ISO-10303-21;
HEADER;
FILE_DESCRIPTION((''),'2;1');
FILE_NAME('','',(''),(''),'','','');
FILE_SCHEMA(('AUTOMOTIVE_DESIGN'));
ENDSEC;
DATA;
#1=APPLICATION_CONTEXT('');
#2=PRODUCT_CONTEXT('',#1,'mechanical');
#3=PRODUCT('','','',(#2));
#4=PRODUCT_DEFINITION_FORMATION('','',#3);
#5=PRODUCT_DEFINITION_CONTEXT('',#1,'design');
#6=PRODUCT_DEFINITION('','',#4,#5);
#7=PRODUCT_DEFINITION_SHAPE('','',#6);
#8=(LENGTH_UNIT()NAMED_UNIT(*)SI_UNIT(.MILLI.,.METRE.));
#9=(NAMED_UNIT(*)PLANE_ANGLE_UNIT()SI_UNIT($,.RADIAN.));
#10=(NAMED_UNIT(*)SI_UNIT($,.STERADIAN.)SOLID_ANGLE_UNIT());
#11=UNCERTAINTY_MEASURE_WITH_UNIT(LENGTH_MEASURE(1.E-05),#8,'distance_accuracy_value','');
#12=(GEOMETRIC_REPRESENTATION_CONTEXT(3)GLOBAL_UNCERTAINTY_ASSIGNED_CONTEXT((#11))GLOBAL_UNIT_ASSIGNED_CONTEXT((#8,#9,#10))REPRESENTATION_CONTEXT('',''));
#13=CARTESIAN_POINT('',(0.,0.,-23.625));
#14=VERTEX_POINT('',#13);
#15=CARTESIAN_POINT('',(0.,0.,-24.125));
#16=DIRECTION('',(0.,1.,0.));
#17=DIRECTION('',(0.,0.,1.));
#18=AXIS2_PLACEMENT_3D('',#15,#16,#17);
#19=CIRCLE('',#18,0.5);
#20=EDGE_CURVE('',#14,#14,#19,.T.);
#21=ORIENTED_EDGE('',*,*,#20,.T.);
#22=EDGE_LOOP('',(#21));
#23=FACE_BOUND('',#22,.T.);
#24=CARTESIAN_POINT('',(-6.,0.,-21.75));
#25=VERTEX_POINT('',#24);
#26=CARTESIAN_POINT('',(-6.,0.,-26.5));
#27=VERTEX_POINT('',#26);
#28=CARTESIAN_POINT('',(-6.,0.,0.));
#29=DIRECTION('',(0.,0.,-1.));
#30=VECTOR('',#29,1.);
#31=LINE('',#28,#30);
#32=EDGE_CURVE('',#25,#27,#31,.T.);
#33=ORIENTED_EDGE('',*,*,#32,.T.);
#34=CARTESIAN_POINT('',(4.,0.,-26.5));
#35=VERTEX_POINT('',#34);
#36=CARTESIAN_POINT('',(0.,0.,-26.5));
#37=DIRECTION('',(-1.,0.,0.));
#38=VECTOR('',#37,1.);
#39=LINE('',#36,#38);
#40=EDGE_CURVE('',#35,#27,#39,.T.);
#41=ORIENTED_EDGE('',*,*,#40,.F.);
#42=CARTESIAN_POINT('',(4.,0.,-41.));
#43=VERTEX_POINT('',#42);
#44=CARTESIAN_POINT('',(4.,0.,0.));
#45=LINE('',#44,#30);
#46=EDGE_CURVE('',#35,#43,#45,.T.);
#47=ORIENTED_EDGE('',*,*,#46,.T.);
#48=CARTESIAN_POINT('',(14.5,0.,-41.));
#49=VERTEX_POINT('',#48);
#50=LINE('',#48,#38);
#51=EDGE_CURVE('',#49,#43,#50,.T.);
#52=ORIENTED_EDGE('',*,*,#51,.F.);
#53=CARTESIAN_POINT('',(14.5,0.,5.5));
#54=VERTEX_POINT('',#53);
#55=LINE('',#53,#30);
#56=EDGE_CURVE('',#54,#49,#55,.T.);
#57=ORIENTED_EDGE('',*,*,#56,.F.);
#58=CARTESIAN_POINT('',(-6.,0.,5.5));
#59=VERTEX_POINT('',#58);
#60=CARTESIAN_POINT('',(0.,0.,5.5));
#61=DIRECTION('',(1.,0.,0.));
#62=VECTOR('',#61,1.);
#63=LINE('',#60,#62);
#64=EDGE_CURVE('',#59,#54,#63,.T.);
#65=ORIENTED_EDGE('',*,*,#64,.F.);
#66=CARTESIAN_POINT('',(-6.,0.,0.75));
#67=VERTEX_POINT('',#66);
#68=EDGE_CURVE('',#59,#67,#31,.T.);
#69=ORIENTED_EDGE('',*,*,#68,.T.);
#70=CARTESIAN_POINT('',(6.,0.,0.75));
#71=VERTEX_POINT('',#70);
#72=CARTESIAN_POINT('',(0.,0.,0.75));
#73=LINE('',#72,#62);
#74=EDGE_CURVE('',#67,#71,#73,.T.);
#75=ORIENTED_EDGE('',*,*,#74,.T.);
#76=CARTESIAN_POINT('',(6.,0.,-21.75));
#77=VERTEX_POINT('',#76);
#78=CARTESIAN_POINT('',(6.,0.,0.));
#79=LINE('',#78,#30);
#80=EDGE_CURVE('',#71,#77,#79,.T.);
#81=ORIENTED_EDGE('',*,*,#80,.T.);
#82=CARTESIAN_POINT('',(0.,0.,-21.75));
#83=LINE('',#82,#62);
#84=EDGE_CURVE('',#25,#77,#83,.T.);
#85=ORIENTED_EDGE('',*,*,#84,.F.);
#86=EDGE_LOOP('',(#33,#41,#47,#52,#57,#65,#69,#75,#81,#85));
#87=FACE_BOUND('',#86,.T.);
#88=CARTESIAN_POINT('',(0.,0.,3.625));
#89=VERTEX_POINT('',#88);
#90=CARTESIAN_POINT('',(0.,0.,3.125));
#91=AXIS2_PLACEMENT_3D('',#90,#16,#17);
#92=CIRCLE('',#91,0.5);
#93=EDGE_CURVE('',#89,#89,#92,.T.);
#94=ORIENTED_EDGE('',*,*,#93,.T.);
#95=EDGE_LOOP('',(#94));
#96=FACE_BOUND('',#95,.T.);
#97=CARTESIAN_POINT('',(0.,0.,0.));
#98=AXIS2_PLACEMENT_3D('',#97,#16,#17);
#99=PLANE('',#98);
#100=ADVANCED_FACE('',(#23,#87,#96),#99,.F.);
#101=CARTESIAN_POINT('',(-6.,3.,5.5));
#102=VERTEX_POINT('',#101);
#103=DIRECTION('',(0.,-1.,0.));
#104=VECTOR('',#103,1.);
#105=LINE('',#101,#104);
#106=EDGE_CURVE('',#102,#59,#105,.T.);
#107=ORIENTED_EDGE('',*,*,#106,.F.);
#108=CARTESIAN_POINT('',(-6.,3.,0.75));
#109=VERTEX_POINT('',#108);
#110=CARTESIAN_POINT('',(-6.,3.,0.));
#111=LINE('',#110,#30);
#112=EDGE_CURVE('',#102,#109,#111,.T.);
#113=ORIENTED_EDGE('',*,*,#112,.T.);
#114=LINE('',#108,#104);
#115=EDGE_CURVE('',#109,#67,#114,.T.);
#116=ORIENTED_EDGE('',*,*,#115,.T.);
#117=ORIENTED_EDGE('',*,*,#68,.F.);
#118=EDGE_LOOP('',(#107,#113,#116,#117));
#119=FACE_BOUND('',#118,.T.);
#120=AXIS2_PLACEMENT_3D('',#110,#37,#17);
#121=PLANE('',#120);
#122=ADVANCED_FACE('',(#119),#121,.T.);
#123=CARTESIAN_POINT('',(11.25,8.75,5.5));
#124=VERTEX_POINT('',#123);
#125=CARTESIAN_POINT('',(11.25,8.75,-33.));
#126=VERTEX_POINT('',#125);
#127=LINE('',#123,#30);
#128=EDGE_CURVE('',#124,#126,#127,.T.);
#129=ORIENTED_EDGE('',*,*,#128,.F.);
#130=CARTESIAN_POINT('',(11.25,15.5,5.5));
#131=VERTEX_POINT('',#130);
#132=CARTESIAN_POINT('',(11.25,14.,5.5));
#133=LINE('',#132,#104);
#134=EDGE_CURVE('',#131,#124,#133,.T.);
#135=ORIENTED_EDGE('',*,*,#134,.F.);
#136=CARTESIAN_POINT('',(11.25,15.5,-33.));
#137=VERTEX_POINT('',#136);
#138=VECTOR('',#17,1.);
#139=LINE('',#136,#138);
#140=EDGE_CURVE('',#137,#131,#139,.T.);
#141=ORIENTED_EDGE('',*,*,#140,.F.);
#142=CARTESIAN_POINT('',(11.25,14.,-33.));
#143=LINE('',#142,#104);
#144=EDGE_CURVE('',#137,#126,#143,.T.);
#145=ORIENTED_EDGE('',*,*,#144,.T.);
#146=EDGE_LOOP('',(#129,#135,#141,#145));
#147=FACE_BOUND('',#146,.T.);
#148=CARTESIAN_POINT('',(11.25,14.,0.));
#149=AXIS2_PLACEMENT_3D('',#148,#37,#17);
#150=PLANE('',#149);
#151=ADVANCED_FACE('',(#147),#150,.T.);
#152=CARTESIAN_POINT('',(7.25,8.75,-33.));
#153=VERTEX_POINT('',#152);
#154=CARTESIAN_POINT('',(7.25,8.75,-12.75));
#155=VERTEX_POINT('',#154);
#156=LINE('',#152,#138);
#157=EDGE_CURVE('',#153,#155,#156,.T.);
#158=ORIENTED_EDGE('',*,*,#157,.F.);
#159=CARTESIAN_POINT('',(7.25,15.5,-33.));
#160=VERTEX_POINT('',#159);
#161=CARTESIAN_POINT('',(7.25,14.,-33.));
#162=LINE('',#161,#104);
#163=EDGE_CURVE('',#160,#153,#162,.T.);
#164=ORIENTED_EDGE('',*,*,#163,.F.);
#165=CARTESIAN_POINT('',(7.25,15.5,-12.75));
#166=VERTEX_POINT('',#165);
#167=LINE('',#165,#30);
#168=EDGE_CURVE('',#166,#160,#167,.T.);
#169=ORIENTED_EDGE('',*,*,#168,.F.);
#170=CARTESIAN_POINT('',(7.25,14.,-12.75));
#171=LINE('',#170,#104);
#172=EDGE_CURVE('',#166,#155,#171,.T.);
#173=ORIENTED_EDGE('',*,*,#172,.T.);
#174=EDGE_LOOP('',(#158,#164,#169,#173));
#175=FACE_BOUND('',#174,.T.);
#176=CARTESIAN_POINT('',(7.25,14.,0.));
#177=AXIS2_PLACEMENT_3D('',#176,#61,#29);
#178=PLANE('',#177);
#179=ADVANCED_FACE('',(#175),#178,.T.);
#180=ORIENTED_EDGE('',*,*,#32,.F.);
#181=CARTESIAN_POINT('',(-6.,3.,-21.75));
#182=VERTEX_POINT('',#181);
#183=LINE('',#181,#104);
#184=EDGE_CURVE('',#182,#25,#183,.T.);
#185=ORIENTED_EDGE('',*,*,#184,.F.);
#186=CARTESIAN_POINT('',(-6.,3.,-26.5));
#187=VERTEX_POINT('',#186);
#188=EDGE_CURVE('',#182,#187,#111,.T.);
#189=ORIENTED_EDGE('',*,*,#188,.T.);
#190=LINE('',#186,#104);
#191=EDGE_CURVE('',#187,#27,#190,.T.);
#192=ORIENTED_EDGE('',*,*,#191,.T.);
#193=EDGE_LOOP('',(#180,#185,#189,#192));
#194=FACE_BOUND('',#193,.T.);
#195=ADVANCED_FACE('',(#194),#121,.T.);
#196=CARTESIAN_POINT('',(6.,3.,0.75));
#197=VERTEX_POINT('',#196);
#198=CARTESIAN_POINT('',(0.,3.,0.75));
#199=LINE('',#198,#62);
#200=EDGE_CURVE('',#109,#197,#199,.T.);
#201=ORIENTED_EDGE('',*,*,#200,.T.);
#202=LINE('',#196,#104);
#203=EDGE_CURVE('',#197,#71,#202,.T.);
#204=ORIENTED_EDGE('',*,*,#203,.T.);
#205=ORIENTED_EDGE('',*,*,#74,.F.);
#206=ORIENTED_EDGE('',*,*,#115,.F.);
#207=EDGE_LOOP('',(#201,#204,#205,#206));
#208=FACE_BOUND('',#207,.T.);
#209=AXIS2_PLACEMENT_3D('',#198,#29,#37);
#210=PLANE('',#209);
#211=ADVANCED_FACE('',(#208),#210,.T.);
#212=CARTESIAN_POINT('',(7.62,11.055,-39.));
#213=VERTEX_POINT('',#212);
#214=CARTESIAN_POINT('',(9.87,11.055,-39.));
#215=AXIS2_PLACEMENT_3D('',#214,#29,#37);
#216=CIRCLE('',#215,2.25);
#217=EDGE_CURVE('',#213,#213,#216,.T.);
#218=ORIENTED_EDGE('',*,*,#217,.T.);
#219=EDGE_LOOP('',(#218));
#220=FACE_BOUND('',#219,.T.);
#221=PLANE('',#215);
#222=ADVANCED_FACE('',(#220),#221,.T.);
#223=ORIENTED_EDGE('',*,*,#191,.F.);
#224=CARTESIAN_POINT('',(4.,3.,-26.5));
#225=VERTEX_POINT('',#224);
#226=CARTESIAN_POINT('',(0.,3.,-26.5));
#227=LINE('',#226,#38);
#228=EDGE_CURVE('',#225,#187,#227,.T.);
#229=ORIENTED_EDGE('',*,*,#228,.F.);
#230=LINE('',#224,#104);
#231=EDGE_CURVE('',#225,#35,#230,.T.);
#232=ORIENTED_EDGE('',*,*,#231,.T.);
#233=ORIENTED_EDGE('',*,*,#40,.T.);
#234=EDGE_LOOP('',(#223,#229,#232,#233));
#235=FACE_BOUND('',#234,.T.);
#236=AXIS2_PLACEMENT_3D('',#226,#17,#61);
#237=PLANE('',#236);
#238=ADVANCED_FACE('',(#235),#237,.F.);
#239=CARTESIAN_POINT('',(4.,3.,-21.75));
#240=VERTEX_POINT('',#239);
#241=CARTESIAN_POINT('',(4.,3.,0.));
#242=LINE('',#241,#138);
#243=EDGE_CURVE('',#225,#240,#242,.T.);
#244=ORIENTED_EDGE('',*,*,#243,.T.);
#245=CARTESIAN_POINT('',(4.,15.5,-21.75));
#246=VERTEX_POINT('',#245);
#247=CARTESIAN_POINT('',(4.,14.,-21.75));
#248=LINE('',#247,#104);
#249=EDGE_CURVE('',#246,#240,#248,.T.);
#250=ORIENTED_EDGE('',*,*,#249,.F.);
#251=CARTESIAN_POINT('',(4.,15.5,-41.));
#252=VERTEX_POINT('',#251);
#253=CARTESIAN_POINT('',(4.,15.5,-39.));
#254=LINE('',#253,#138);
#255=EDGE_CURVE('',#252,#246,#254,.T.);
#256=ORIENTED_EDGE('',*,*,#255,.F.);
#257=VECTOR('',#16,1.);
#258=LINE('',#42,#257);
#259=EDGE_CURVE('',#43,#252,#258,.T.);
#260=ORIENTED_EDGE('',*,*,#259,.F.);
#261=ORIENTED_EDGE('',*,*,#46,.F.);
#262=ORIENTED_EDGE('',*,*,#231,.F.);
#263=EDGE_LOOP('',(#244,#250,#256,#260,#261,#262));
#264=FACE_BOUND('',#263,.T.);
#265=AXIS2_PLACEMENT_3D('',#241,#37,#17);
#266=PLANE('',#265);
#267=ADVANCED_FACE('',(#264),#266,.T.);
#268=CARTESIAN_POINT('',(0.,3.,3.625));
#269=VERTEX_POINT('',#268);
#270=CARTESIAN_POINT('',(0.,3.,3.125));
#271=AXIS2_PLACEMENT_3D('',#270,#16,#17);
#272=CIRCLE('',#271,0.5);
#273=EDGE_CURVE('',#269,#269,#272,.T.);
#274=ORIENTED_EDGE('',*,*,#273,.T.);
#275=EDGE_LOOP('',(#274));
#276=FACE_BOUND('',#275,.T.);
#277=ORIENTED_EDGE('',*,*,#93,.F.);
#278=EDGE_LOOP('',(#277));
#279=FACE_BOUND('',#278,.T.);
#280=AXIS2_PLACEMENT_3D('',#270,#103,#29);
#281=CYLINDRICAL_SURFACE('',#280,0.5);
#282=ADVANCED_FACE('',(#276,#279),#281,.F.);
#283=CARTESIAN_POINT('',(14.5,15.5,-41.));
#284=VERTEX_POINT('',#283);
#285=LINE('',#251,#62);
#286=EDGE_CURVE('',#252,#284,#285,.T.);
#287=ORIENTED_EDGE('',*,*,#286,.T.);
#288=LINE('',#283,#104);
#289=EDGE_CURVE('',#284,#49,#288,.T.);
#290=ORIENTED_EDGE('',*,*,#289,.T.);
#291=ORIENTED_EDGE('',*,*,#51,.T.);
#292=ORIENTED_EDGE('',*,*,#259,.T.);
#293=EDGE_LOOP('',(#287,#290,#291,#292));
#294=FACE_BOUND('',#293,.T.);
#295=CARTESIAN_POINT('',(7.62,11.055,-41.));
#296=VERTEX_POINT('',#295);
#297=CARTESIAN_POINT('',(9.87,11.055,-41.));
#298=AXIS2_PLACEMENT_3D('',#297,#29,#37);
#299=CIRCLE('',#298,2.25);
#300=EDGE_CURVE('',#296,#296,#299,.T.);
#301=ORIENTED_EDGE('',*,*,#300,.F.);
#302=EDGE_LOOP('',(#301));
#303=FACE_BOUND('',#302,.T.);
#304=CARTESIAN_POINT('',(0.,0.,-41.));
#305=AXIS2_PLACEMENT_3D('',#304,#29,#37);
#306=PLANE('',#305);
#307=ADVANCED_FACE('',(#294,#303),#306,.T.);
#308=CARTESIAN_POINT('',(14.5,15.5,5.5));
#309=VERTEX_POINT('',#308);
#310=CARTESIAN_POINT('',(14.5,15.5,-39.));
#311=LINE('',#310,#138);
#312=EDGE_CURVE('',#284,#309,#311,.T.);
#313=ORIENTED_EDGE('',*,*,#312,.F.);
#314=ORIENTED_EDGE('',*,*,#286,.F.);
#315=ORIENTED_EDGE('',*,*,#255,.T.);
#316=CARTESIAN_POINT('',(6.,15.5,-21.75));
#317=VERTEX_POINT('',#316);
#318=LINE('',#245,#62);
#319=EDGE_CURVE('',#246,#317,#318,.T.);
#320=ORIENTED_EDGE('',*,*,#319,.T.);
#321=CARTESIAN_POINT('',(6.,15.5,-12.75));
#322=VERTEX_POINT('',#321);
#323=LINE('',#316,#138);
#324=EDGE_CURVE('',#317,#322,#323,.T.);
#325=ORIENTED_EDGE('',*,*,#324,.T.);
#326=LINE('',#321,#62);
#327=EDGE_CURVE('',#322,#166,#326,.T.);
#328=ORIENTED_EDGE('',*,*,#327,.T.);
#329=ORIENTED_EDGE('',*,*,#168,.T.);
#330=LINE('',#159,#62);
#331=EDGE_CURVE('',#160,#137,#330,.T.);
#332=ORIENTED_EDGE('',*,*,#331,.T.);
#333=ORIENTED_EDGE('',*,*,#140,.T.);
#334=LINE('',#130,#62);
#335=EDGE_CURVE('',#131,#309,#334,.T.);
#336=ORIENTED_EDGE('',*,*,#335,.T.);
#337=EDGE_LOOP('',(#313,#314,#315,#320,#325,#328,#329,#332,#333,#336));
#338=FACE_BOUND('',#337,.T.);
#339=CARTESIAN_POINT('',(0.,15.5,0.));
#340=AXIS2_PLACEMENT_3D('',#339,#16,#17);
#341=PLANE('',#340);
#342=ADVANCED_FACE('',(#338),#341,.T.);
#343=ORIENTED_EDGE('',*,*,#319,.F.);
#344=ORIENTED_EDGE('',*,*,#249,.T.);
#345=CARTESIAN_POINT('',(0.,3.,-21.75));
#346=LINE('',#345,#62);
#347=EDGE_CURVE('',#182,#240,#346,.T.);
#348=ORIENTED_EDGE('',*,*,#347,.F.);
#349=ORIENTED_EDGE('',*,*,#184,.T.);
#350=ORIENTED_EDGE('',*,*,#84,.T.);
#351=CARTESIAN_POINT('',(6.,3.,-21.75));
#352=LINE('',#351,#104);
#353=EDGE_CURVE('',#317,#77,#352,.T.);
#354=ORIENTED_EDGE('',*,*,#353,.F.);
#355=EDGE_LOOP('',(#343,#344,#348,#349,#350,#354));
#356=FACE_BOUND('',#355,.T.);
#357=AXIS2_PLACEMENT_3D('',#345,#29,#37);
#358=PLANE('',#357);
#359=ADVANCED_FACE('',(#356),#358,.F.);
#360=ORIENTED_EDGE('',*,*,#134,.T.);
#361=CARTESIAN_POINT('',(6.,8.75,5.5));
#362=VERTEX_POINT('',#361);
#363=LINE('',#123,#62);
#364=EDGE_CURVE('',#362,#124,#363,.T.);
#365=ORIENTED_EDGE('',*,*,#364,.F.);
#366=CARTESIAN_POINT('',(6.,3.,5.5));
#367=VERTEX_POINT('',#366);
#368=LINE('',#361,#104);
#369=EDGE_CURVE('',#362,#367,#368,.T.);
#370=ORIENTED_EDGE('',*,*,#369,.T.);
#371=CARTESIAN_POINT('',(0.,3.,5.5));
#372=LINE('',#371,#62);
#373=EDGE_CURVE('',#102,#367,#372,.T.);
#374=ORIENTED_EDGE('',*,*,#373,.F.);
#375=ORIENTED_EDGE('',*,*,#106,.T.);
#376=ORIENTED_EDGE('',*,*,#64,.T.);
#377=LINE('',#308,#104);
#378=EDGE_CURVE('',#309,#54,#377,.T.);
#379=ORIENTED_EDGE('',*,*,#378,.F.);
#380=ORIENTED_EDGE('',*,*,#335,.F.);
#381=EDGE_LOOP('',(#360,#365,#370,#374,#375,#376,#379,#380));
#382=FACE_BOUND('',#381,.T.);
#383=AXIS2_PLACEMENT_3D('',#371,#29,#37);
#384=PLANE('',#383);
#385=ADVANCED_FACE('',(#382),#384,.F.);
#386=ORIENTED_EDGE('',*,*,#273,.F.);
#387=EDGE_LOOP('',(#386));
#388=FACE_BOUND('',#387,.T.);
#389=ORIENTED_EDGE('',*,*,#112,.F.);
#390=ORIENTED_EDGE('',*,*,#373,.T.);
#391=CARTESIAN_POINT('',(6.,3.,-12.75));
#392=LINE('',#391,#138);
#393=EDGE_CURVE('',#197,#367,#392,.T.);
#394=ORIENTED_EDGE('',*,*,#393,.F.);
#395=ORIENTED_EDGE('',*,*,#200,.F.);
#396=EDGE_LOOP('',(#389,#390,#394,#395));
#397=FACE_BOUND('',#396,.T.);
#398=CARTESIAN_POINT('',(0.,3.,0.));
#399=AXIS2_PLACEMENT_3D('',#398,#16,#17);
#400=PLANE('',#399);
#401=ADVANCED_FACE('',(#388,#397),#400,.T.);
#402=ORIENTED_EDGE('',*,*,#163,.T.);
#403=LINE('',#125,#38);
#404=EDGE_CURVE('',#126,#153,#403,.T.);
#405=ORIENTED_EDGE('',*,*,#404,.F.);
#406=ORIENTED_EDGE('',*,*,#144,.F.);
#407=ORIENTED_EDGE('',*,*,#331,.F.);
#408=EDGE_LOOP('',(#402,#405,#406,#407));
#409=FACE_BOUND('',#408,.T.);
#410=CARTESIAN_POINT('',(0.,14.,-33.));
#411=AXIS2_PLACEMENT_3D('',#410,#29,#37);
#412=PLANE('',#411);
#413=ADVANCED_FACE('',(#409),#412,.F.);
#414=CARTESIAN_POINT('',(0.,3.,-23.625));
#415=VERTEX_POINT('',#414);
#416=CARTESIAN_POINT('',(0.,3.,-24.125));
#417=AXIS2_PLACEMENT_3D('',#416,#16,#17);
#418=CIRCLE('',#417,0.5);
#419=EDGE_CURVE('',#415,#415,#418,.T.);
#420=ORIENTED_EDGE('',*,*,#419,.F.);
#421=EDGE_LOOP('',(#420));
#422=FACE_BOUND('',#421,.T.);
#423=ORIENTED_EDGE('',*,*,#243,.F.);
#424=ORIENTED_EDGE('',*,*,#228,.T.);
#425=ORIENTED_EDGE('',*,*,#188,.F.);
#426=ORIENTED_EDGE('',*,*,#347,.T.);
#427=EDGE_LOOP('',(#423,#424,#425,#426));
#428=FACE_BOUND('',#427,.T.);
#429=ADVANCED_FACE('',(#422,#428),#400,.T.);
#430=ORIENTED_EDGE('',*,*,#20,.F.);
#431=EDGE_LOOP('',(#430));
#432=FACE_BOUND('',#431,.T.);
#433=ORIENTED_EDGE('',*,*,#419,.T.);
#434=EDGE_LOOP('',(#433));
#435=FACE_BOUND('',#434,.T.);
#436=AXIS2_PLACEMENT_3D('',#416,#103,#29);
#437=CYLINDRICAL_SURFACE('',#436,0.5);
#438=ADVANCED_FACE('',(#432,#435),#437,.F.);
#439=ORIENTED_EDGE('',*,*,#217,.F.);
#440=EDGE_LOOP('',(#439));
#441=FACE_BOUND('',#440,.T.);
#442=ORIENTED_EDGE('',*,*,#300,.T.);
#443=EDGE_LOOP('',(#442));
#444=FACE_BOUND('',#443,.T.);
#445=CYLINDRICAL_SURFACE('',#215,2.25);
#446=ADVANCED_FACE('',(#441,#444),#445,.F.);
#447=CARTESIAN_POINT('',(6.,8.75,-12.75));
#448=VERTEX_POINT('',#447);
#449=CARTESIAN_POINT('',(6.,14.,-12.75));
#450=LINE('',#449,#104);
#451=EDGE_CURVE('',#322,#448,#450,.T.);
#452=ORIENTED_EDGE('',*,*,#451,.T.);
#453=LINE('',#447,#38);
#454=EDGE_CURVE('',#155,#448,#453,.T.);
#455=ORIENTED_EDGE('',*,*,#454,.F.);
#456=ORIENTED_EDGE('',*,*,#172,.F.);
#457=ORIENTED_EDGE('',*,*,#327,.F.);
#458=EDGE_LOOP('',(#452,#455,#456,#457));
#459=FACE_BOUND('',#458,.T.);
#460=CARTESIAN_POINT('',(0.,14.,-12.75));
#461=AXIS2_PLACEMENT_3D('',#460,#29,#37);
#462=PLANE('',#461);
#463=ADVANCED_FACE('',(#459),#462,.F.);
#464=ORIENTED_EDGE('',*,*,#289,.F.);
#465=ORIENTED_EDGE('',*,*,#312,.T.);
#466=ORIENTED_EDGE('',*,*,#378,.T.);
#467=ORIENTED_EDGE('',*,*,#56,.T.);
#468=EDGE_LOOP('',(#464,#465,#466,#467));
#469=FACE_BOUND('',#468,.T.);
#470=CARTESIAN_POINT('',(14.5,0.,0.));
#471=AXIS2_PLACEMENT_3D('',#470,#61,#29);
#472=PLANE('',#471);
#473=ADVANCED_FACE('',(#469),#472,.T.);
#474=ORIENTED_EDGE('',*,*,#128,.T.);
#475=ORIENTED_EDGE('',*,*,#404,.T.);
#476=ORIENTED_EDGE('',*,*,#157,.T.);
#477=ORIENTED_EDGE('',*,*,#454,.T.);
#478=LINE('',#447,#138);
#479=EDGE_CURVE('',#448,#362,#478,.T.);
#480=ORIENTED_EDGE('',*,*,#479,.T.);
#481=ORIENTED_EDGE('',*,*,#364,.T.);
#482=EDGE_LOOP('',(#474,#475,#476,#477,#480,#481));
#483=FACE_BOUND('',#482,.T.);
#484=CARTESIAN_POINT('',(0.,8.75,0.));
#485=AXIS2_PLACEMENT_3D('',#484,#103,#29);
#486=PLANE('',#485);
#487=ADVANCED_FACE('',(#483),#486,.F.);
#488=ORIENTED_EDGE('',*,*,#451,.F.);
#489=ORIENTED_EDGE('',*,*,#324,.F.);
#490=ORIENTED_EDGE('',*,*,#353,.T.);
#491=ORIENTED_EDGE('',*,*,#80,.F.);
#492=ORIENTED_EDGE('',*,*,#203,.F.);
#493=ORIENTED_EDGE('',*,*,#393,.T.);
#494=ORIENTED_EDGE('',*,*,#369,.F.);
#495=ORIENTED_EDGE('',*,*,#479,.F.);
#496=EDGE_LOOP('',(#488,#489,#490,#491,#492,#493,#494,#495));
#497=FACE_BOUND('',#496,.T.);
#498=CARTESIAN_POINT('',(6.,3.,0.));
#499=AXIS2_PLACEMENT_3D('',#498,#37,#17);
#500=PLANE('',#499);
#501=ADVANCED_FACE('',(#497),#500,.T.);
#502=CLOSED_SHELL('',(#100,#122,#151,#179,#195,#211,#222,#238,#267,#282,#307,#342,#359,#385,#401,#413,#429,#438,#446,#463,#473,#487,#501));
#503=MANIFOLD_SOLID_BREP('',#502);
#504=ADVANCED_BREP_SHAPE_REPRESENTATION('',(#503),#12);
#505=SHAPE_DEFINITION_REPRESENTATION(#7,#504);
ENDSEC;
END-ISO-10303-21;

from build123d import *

# Parameters (mm, degrees)
CROQUIS1_R               = 0.5
SALIENTE_EXTRUIR1_DEPTH  = 3
SALIENTE_EXTRUIR2_DEPTH  = 11
SALIENTE_EXTRUIR3_DEPTH  = 5.75
CROQUIS4_R               = 2
CROQUIS4_R_2             = 1
CORTAR_EXTRUIR1_DEPTH    = 4
SALIENTE_EXTRUIR5_START  = 4
CROQUIS6_R               = 2
CROQUIS6_R_2             = 1
SALIENTE_EXTRUIR5_DEPTH  = 4
SALIENTE_EXTRUIR6_DEPTH  = 1.5
CROQUIS9_W               = 44.5
CROQUIS9_H               = 15.5
SALIENTE_EXTRUIR7_DEPTH  = 1
CROQUIS11_W              = 10.5
CROQUIS11_H              = 15.5
SALIENTE_EXTRUIR10_DEPTH = 2
CROQUIS7_R               = 2.25
CORTAR_EXTRUIR2_DEPTH    = 2


with BuildPart() as part:
    # Croquis1 → Saliente-Extruir1 (new body)
    with BuildSketch(Plane(origin=(0, 0, 0), x_dir=(1, 0, 0), z_dir=(0, 1, 0))):
        Polygon((-6, -0.75), (-6, -5.5), (4, -5.5), (13.5, -5.5), (13.5, 26.5), (13.5, 39), (4, 39), (4, 26.5), (-6, 26.5), (-6, 21.75), (4, 21.75), (6, 21.75), (6, 11.25), (6, -0.75), align=None)
        with Locations(Location((0, -3.125, 0), (0, 0, 270))):
            Circle(CROQUIS1_R, mode=Mode.SUBTRACT)
        with Locations(Location((0, 24.125, 0), (0, 0, 270))):
            Circle(CROQUIS1_R, mode=Mode.SUBTRACT)
    extrude(amount=SALIENTE_EXTRUIR1_DEPTH)

    # Croquis2 → Saliente-Extruir2 (add)
    with BuildSketch(Plane(origin=(0, 3, 0), x_dir=(1, 0, 0), z_dir=(0, 1, 0))):
        Polygon((11.25, -5.5), (13.5, -5.5), (13.5, 26.5), (13.5, 39), (4, 39), (4, 26.5), (4, 21.75), (6, 21.75), (6, 12.75), (7.25, 12.75), (7.25, 33), (11.25, 33), align=None)
    extrude(amount=SALIENTE_EXTRUIR2_DEPTH)

    # Croquis3 → Saliente-Extruir3 (add)
    with BuildSketch(Plane(origin=(0, 3, 0), x_dir=(1, 0, 0), z_dir=(0, 1, 0))):
        Polygon((11.25, -5.5), (11.25, 33), (7.25, 33), (7.25, 12.75), (6, 12.75), (6, -5.5), align=None)
    extrude(amount=SALIENTE_EXTRUIR3_DEPTH)

    # Croquis4 → Cortar-Extruir1 (cut)
    with BuildSketch(Plane(origin=(0, 0, -39), x_dir=(-1, 0, 0), z_dir=(0, 0, -1))):
        with Locations((-9.87, 11.055)):
            Circle(CROQUIS4_R)
        with Locations((-9.87, 5.555)):
            Circle(CROQUIS4_R_2)
        with Locations((-9.87, 2.055)):
            Circle(CROQUIS4_R_2)
    extrude(amount=-CORTAR_EXTRUIR1_DEPTH, mode=Mode.SUBTRACT)

    # Croquis6 → Saliente-Extruir5 (add)
    with BuildSketch(Plane(origin=(0, 0, -35), x_dir=(-1, 0, 0), z_dir=(0, 0, -1)).offset(SALIENTE_EXTRUIR5_START)):
        with Locations((-9.87, 11.055)):
            Circle(CROQUIS6_R)
        with Locations((-9.87, 5.555)):
            Circle(CROQUIS6_R_2)
        with Locations((-9.87, 2.055)):
            Circle(CROQUIS6_R_2)
    extrude(amount=-SALIENTE_EXTRUIR5_DEPTH)

    # Croquis8 → Saliente-Extruir6 (add)
    with BuildSketch(Plane(origin=(0, 14, 0), x_dir=(1, 0, 0), z_dir=(0, 1, 0))):
        Polygon((4, 39), (4, 21.75), (6, 21.75), (6, 12.75), (7.25, 12.75), (7.25, 33), (11.25, 33), (11.25, -5.5), (13.5, -5.5), (13.5, 39), align=None)
    extrude(amount=SALIENTE_EXTRUIR6_DEPTH)

    # Croquis9 → Saliente-Extruir7 (add)
    with BuildSketch(Plane(origin=(13.5, 0, 0), x_dir=(0, 0, -1), z_dir=(1, 0, 0))):
        with Locations((16.75, 7.75)):
            Rectangle(CROQUIS9_W, CROQUIS9_H)
    extrude(amount=SALIENTE_EXTRUIR7_DEPTH)

    # Croquis11 → Saliente-Extruir10 (add)
    with BuildSketch(Plane(origin=(0, 0, -39), x_dir=(-1, 0, 0), z_dir=(0, 0, -1))):
        with Locations((-9.25, 7.75)):
            Rectangle(CROQUIS11_W, CROQUIS11_H)
    extrude(amount=SALIENTE_EXTRUIR10_DEPTH)

    # Croquis7 → Cortar-Extruir2 (cut)
    with BuildSketch(Plane(origin=(0, 0, -41), x_dir=(-1, 0, 0), z_dir=(0, 0, -1))):
        with Locations((-9.87, 11.055)):
            Circle(CROQUIS7_R)
    extrude(amount=-CORTAR_EXTRUIR2_DEPTH, mode=Mode.SUBTRACT)


solid = part.part
